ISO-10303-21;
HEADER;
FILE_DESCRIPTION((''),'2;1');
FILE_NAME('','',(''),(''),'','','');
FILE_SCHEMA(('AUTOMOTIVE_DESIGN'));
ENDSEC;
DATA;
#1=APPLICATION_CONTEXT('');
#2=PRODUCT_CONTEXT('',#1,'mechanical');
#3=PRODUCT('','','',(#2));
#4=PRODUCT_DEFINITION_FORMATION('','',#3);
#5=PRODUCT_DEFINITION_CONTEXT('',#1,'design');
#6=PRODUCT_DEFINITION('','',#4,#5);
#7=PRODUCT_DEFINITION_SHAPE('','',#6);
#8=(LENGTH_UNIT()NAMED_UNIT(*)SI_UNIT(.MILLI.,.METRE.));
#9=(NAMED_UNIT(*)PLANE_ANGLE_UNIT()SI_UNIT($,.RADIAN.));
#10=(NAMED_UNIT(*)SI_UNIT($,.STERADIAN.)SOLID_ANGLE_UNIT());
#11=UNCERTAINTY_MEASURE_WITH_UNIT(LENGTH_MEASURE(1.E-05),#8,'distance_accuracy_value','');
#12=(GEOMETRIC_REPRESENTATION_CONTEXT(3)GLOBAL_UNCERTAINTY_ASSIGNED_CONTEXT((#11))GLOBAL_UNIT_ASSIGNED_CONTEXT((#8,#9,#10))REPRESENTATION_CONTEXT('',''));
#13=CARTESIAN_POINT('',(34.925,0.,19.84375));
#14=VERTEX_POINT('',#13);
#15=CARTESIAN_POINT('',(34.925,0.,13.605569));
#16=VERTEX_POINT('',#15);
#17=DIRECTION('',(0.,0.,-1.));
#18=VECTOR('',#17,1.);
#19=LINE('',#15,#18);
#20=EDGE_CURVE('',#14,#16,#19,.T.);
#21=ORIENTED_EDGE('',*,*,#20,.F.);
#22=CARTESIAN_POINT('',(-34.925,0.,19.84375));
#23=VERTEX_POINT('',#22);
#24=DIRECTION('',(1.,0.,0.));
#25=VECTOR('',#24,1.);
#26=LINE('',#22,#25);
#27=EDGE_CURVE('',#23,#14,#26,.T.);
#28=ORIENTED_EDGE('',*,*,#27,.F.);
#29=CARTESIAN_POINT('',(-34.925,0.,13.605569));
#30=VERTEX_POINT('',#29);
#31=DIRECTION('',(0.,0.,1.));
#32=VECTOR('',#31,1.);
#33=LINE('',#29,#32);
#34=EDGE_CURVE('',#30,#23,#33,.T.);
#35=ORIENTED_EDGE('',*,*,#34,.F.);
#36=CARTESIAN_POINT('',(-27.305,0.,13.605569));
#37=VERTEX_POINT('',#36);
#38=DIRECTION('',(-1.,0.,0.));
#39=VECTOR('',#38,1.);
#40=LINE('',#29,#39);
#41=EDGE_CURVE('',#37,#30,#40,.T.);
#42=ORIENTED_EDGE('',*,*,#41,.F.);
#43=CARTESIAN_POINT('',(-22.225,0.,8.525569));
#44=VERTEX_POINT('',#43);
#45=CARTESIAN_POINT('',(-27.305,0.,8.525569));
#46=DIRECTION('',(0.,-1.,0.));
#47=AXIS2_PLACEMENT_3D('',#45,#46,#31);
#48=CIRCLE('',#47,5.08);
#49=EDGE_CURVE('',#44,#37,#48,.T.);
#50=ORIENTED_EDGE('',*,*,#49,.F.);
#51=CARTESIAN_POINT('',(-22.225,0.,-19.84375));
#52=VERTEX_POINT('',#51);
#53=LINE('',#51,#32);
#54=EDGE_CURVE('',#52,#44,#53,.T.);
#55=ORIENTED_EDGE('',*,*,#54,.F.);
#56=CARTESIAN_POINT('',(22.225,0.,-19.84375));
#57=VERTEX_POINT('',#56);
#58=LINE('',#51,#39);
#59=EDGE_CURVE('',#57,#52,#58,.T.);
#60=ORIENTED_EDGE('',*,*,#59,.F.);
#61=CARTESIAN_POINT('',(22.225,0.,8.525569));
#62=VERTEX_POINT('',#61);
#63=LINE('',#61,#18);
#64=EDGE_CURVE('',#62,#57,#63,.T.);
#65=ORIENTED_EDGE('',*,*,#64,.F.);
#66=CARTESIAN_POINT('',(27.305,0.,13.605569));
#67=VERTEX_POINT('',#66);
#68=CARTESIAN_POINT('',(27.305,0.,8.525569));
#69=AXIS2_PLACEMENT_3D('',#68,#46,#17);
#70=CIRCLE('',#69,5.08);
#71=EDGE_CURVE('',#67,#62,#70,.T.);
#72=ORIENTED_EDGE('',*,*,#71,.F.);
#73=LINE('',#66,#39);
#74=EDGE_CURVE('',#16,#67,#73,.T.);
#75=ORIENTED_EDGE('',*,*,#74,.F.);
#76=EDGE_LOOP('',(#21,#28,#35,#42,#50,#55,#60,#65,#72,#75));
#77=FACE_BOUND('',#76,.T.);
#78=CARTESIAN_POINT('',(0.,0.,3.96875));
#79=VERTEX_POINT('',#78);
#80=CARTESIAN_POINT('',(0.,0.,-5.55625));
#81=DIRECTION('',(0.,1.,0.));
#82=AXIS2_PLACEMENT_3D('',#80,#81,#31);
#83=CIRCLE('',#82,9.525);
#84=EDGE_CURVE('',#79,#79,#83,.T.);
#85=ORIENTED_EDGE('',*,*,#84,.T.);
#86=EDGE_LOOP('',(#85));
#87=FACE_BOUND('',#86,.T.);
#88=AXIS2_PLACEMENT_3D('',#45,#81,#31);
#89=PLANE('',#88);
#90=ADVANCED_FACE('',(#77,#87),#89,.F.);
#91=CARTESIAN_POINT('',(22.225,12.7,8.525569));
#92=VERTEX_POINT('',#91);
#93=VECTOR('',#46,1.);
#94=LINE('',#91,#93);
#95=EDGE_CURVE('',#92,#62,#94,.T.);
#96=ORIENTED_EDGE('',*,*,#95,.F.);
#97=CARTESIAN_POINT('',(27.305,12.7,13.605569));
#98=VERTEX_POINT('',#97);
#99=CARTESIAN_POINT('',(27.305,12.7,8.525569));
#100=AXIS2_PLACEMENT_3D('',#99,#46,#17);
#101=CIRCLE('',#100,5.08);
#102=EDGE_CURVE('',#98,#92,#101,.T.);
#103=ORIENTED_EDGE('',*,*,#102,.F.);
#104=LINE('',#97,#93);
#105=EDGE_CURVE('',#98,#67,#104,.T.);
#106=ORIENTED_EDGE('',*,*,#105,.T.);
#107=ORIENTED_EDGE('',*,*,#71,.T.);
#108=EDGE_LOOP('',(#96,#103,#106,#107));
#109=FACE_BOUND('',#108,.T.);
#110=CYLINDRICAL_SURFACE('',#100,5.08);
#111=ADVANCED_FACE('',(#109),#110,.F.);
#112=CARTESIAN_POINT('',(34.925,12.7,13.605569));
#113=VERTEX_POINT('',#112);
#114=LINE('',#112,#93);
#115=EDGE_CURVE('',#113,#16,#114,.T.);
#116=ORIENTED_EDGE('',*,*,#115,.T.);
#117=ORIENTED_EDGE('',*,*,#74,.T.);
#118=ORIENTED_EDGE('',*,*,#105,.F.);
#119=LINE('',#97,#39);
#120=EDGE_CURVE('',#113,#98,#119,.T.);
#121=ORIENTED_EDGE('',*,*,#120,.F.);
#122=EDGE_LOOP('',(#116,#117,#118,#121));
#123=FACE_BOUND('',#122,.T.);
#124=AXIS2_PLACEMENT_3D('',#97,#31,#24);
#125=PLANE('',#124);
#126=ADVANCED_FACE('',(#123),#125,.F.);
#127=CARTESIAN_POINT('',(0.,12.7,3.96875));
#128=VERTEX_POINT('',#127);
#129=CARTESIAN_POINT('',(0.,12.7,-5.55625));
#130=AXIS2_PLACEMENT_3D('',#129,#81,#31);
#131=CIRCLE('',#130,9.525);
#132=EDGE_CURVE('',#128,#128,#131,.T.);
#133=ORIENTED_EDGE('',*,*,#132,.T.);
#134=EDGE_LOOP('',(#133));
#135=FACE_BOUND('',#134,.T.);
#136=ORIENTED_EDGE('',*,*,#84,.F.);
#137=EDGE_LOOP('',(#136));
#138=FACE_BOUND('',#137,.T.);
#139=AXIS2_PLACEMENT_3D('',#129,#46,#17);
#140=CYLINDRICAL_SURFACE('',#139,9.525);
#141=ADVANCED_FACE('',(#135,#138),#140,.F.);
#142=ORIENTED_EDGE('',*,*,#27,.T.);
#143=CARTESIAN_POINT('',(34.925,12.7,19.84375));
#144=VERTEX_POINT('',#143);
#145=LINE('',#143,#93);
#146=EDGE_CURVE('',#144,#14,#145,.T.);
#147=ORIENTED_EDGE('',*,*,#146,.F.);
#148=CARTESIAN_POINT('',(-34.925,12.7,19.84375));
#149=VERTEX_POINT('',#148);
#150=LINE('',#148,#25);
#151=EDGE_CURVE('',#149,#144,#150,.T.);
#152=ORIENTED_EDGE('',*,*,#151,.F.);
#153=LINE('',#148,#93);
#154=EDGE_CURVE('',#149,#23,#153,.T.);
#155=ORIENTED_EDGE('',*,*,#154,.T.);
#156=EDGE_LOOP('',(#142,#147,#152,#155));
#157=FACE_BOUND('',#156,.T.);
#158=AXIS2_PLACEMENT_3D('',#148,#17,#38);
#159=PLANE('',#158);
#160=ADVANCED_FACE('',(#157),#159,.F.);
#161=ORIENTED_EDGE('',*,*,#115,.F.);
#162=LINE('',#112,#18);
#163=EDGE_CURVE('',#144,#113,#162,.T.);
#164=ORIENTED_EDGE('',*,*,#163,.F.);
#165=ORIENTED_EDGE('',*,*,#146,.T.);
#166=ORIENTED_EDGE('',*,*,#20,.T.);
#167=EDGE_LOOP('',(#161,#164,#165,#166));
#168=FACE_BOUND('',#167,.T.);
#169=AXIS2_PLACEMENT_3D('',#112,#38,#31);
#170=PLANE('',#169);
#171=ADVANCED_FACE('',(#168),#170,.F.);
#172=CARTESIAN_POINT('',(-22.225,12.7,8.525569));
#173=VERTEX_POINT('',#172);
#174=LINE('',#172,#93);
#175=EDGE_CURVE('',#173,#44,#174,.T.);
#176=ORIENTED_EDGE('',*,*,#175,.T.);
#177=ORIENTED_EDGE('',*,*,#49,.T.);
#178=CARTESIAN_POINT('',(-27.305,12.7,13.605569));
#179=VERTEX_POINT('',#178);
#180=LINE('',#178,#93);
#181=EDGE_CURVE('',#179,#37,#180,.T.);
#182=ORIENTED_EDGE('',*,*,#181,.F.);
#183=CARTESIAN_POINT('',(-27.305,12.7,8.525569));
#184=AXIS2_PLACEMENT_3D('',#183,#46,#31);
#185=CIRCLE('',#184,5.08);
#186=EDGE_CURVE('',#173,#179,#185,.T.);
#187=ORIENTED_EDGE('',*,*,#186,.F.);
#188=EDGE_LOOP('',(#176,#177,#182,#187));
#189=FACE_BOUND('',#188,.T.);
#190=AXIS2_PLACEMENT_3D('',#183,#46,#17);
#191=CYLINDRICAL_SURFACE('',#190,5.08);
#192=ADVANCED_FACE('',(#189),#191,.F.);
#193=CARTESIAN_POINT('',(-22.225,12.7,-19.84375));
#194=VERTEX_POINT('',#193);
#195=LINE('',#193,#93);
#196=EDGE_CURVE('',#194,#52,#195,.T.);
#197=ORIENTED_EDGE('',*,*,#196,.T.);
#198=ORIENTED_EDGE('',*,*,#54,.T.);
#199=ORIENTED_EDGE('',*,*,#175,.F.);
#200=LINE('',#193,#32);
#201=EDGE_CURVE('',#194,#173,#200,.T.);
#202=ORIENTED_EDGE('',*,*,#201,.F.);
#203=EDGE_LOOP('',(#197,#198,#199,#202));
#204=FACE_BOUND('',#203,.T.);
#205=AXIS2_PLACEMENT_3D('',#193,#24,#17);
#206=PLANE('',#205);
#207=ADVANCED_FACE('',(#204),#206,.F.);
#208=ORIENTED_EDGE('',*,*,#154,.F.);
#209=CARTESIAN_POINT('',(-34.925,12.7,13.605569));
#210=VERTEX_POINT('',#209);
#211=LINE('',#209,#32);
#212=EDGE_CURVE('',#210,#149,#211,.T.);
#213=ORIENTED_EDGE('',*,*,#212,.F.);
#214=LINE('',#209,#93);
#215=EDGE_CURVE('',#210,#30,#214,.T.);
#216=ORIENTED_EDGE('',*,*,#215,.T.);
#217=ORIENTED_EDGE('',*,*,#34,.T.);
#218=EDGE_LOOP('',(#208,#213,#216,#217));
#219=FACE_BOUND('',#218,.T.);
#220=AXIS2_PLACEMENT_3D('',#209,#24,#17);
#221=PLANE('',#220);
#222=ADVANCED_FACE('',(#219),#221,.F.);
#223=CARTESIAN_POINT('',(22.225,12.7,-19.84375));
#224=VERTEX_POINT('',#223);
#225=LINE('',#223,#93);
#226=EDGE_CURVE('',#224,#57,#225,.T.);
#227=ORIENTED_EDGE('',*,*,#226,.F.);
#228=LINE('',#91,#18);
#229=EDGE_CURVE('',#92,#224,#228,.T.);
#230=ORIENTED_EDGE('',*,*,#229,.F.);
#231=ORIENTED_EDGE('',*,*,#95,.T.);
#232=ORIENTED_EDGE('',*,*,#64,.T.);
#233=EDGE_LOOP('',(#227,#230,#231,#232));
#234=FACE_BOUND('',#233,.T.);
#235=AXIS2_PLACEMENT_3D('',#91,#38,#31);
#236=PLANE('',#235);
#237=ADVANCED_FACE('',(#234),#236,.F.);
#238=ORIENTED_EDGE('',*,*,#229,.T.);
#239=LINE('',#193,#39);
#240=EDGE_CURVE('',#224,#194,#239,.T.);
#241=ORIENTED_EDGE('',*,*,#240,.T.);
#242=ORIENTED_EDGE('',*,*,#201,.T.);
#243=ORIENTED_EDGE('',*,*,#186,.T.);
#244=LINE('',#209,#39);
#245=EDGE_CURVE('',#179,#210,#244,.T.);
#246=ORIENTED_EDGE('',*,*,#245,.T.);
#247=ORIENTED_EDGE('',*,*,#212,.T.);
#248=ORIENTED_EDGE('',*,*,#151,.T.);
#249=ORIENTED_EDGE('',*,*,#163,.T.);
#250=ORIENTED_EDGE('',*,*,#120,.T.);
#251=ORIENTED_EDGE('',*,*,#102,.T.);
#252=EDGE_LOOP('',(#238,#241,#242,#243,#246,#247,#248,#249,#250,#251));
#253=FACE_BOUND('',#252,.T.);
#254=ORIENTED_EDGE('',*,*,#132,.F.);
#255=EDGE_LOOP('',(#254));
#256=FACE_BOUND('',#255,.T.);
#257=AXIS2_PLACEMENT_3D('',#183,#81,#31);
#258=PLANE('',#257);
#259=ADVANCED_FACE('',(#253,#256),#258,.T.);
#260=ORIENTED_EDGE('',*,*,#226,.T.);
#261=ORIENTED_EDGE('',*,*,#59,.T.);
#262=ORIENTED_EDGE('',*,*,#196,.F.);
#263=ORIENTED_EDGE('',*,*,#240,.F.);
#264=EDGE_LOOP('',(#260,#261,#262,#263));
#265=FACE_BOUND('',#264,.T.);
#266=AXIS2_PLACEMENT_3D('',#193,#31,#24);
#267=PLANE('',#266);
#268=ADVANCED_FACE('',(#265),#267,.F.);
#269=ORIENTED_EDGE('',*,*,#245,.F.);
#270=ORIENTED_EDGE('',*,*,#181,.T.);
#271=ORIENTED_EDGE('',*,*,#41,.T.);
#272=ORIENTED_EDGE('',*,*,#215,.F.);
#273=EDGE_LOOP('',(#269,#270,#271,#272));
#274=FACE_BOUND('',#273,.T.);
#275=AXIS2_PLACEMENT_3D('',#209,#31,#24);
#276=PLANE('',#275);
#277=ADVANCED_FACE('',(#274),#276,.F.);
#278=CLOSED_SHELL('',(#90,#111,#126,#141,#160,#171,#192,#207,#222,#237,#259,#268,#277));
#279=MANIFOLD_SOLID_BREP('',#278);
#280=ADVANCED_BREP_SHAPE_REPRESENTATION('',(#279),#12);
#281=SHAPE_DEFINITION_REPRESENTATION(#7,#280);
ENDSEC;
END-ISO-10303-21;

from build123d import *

# Parameters (mm, degrees)
SKETCH1_R           = 9.525
BOSS_EXTRUDE1_DEPTH = 12.7


with BuildPart() as part:
    # Sketch1 → Boss-Extrude1 (new body)
    with BuildSketch(Plane(origin=(0, 0, 0), x_dir=(1, 0, 0), z_dir=(0, 1, 0))):
        with BuildLine():
            Line((22.225, -8.525568981), (22.225, 19.84375))
            Line((22.225, 19.84375), (-22.225, 19.84375))
            Line((-22.225, 19.84375), (-22.225, -8.525568981))
            ThreePointArc((-22.225, -8.525568981), (-23.712897552, -12.117671429), (-27.305, -13.605568981))
            Line((-27.305, -13.605568981), (-34.925, -13.605568981))
            Line((-34.925, -13.605568981), (-34.925, -19.84375))
            Line((-34.925, -19.84375), (34.925, -19.84375))
            Line((34.925, -19.84375), (34.925, -13.605568981))
            Line((34.925, -13.605568981), (27.305, -13.605568981))
            ThreePointArc((27.305, -13.605568981), (23.712897552, -12.117671429), (22.225, -8.525568981))
        make_face()
        with Locations(Location((0, 5.55625, 0), (0, 0, 270))):
            Circle(SKETCH1_R, mode=Mode.SUBTRACT)
    extrude(amount=BOSS_EXTRUDE1_DEPTH)


solid = part.part
